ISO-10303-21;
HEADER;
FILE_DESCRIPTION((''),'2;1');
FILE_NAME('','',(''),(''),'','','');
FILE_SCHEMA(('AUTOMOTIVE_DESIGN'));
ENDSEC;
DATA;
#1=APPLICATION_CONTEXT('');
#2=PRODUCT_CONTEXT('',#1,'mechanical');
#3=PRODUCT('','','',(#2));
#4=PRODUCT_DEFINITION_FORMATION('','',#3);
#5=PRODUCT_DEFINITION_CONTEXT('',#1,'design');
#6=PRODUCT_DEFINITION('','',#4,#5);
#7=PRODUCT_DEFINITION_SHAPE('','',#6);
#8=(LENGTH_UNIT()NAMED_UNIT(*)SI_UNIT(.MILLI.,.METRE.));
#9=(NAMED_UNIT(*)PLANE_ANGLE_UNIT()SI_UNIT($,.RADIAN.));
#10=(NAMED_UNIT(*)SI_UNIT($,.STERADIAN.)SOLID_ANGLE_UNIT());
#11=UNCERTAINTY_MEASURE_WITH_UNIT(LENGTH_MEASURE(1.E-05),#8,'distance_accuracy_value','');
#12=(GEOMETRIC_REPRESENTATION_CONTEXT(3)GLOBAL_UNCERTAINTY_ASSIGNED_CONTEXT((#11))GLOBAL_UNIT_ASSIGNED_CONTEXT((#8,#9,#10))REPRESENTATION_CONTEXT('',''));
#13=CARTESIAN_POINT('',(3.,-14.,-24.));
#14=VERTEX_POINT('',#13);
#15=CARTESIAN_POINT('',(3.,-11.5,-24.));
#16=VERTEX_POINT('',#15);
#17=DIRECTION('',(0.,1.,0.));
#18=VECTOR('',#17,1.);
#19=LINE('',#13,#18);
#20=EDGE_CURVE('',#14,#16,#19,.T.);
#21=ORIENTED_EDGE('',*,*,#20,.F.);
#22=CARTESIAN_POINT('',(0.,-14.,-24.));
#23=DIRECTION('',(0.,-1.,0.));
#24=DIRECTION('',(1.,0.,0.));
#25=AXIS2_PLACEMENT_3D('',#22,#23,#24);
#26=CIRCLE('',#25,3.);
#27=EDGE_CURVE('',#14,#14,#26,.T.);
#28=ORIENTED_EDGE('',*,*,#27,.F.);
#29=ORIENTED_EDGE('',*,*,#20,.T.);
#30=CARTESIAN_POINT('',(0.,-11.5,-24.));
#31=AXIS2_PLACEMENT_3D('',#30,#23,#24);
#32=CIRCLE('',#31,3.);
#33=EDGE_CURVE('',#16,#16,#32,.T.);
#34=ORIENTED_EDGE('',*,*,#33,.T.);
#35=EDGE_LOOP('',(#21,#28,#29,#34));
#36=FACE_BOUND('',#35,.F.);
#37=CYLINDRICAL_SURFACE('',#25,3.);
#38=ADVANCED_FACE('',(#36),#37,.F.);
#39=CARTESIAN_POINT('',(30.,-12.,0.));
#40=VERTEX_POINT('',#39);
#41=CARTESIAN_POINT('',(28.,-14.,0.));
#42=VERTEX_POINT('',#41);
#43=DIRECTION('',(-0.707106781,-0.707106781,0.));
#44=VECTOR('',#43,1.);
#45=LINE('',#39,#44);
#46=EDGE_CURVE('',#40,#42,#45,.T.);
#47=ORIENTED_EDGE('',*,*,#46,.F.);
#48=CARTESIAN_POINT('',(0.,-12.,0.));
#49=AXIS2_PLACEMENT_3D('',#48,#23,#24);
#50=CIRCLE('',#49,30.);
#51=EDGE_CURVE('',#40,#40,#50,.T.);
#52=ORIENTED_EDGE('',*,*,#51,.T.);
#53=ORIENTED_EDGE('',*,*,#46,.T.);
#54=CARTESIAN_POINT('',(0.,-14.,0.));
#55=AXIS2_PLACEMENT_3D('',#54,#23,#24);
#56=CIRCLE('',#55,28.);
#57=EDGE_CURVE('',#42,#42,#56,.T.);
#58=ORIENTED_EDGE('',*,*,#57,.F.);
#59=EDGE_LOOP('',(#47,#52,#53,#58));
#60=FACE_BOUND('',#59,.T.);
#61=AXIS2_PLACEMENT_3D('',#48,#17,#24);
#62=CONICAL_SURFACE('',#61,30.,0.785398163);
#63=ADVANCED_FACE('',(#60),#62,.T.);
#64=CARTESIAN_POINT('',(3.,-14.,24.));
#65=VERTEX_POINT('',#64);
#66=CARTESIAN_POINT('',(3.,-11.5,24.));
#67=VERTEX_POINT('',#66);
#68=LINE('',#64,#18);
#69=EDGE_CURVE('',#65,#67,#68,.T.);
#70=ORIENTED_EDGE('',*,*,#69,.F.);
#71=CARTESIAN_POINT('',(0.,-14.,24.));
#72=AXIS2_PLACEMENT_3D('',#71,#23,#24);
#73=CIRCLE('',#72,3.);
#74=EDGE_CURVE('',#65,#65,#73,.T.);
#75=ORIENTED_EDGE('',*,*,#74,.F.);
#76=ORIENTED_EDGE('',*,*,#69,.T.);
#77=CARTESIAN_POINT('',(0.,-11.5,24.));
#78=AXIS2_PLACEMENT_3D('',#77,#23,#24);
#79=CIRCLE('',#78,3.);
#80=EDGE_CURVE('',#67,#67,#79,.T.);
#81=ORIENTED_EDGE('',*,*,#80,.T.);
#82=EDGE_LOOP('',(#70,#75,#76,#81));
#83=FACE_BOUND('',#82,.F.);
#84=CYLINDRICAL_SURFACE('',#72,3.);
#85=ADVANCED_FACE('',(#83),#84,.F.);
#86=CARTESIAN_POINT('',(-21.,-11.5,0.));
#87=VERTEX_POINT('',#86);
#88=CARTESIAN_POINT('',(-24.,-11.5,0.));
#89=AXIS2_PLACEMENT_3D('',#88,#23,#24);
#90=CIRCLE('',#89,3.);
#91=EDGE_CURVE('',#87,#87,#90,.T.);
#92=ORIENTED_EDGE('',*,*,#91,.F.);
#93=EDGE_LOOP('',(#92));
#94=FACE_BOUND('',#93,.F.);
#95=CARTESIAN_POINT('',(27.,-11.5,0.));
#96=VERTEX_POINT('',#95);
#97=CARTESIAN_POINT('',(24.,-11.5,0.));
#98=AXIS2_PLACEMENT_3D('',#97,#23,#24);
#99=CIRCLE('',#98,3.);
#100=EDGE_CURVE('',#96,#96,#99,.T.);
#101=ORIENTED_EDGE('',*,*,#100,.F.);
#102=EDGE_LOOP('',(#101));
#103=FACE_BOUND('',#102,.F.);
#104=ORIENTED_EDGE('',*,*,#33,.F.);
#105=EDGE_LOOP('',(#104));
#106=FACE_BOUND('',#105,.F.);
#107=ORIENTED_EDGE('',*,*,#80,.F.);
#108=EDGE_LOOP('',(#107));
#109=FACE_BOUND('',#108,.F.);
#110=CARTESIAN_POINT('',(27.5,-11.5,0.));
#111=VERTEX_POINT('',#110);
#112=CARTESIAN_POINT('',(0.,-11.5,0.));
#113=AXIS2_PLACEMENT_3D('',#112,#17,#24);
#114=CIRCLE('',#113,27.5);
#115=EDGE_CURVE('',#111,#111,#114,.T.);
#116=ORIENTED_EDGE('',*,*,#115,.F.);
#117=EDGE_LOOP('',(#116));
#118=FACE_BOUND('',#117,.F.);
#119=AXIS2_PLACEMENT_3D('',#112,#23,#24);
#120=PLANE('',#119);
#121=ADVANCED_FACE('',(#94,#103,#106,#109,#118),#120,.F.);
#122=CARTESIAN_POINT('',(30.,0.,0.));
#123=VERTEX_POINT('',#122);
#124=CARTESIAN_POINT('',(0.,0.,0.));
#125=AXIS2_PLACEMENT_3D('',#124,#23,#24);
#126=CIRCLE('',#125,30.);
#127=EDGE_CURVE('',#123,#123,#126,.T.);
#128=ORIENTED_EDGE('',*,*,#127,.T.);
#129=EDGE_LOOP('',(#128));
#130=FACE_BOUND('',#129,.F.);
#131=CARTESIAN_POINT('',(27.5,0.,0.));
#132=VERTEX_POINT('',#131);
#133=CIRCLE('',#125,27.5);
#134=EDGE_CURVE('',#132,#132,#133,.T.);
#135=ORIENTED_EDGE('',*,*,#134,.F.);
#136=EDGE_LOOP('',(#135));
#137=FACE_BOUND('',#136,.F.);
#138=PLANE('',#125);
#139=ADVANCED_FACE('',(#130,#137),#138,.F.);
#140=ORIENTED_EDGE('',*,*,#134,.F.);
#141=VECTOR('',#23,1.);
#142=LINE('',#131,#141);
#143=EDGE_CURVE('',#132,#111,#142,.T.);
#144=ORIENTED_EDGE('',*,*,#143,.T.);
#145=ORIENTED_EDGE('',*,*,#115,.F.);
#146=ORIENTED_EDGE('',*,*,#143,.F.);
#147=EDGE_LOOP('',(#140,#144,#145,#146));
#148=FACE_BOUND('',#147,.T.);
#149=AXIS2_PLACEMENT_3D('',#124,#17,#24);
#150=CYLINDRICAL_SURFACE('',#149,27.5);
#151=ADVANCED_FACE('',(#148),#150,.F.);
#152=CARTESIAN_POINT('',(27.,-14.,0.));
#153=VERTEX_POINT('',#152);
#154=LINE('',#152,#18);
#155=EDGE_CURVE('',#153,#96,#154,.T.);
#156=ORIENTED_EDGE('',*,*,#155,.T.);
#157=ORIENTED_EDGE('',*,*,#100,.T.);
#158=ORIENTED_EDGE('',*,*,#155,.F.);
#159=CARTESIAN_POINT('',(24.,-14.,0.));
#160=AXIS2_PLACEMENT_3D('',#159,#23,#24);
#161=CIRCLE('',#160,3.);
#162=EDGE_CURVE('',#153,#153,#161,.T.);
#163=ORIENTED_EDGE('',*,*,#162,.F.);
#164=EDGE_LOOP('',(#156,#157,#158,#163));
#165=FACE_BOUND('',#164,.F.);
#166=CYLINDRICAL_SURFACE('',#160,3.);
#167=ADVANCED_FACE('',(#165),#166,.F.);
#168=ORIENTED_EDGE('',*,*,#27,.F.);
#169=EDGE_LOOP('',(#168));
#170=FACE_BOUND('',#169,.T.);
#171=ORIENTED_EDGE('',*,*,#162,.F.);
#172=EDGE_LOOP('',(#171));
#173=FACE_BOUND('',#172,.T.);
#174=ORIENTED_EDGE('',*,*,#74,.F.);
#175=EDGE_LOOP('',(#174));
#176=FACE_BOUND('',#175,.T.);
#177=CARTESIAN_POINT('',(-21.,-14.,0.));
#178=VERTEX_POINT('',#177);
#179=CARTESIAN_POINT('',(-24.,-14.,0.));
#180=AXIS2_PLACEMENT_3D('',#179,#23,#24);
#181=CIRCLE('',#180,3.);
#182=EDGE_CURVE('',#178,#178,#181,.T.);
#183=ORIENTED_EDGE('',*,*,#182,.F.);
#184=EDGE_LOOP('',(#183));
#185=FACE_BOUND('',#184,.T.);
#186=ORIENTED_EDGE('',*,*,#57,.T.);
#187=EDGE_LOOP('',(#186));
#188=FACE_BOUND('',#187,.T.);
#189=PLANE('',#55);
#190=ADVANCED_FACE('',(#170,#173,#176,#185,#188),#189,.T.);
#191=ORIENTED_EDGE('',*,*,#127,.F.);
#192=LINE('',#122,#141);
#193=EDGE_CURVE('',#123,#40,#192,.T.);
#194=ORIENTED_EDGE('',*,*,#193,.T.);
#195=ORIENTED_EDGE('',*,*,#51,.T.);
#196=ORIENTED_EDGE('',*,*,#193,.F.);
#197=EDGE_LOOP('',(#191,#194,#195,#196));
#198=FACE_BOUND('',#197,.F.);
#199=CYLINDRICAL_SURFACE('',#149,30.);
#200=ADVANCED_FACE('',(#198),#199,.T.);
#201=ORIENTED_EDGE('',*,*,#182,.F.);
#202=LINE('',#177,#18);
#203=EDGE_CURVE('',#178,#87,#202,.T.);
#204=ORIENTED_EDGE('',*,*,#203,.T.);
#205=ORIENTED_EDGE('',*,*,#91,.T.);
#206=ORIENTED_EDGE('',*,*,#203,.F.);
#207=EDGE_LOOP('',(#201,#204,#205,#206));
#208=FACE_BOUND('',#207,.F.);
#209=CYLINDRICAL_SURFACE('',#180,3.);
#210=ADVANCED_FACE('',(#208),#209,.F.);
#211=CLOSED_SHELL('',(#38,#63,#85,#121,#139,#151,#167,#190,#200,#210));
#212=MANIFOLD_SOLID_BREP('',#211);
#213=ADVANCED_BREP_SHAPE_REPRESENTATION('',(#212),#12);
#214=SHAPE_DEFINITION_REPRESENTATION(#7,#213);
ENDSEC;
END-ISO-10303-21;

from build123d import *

# Parameters (mm, degrees)
F0_R     = 30
F1_DEPTH = 14
F2_T     = -2.5
F3_R     = 3
F4_DEPTH = 2.5
F5_SIZE  = 2


with BuildPart() as f1:
    # F0 (on Front) → F1 (new body)
    with BuildSketch(Plane.XZ):
        Circle(F0_R)
    extrude(amount=F1_DEPTH)

    # F2
    f2_openings = [f1.faces().sort_by_distance(p)[0] for p in [
        (0, 0, 0),
    ]]
    offset(amount=F2_T, openings=f2_openings)

    # F3 (on face) → F4 (cut, through all)
    with BuildSketch(Plane.XZ.offset(14)):
        with Locations((0, -24)):
            Circle(F3_R)
        with Locations((-24, 0)):
            Circle(F3_R)
        with Locations((24, 0)):
            Circle(F3_R)
        with Locations((0, 24)):
            Circle(F3_R)
    extrude(amount=-F4_DEPTH, mode=Mode.SUBTRACT)

    # F5
    f5_edges = [f1.edges().sort_by_distance(p)[0] for p in [
        (-30, -14, 0),
    ]]
    chamfer(f5_edges, length=F5_SIZE)


solid = f1.part
